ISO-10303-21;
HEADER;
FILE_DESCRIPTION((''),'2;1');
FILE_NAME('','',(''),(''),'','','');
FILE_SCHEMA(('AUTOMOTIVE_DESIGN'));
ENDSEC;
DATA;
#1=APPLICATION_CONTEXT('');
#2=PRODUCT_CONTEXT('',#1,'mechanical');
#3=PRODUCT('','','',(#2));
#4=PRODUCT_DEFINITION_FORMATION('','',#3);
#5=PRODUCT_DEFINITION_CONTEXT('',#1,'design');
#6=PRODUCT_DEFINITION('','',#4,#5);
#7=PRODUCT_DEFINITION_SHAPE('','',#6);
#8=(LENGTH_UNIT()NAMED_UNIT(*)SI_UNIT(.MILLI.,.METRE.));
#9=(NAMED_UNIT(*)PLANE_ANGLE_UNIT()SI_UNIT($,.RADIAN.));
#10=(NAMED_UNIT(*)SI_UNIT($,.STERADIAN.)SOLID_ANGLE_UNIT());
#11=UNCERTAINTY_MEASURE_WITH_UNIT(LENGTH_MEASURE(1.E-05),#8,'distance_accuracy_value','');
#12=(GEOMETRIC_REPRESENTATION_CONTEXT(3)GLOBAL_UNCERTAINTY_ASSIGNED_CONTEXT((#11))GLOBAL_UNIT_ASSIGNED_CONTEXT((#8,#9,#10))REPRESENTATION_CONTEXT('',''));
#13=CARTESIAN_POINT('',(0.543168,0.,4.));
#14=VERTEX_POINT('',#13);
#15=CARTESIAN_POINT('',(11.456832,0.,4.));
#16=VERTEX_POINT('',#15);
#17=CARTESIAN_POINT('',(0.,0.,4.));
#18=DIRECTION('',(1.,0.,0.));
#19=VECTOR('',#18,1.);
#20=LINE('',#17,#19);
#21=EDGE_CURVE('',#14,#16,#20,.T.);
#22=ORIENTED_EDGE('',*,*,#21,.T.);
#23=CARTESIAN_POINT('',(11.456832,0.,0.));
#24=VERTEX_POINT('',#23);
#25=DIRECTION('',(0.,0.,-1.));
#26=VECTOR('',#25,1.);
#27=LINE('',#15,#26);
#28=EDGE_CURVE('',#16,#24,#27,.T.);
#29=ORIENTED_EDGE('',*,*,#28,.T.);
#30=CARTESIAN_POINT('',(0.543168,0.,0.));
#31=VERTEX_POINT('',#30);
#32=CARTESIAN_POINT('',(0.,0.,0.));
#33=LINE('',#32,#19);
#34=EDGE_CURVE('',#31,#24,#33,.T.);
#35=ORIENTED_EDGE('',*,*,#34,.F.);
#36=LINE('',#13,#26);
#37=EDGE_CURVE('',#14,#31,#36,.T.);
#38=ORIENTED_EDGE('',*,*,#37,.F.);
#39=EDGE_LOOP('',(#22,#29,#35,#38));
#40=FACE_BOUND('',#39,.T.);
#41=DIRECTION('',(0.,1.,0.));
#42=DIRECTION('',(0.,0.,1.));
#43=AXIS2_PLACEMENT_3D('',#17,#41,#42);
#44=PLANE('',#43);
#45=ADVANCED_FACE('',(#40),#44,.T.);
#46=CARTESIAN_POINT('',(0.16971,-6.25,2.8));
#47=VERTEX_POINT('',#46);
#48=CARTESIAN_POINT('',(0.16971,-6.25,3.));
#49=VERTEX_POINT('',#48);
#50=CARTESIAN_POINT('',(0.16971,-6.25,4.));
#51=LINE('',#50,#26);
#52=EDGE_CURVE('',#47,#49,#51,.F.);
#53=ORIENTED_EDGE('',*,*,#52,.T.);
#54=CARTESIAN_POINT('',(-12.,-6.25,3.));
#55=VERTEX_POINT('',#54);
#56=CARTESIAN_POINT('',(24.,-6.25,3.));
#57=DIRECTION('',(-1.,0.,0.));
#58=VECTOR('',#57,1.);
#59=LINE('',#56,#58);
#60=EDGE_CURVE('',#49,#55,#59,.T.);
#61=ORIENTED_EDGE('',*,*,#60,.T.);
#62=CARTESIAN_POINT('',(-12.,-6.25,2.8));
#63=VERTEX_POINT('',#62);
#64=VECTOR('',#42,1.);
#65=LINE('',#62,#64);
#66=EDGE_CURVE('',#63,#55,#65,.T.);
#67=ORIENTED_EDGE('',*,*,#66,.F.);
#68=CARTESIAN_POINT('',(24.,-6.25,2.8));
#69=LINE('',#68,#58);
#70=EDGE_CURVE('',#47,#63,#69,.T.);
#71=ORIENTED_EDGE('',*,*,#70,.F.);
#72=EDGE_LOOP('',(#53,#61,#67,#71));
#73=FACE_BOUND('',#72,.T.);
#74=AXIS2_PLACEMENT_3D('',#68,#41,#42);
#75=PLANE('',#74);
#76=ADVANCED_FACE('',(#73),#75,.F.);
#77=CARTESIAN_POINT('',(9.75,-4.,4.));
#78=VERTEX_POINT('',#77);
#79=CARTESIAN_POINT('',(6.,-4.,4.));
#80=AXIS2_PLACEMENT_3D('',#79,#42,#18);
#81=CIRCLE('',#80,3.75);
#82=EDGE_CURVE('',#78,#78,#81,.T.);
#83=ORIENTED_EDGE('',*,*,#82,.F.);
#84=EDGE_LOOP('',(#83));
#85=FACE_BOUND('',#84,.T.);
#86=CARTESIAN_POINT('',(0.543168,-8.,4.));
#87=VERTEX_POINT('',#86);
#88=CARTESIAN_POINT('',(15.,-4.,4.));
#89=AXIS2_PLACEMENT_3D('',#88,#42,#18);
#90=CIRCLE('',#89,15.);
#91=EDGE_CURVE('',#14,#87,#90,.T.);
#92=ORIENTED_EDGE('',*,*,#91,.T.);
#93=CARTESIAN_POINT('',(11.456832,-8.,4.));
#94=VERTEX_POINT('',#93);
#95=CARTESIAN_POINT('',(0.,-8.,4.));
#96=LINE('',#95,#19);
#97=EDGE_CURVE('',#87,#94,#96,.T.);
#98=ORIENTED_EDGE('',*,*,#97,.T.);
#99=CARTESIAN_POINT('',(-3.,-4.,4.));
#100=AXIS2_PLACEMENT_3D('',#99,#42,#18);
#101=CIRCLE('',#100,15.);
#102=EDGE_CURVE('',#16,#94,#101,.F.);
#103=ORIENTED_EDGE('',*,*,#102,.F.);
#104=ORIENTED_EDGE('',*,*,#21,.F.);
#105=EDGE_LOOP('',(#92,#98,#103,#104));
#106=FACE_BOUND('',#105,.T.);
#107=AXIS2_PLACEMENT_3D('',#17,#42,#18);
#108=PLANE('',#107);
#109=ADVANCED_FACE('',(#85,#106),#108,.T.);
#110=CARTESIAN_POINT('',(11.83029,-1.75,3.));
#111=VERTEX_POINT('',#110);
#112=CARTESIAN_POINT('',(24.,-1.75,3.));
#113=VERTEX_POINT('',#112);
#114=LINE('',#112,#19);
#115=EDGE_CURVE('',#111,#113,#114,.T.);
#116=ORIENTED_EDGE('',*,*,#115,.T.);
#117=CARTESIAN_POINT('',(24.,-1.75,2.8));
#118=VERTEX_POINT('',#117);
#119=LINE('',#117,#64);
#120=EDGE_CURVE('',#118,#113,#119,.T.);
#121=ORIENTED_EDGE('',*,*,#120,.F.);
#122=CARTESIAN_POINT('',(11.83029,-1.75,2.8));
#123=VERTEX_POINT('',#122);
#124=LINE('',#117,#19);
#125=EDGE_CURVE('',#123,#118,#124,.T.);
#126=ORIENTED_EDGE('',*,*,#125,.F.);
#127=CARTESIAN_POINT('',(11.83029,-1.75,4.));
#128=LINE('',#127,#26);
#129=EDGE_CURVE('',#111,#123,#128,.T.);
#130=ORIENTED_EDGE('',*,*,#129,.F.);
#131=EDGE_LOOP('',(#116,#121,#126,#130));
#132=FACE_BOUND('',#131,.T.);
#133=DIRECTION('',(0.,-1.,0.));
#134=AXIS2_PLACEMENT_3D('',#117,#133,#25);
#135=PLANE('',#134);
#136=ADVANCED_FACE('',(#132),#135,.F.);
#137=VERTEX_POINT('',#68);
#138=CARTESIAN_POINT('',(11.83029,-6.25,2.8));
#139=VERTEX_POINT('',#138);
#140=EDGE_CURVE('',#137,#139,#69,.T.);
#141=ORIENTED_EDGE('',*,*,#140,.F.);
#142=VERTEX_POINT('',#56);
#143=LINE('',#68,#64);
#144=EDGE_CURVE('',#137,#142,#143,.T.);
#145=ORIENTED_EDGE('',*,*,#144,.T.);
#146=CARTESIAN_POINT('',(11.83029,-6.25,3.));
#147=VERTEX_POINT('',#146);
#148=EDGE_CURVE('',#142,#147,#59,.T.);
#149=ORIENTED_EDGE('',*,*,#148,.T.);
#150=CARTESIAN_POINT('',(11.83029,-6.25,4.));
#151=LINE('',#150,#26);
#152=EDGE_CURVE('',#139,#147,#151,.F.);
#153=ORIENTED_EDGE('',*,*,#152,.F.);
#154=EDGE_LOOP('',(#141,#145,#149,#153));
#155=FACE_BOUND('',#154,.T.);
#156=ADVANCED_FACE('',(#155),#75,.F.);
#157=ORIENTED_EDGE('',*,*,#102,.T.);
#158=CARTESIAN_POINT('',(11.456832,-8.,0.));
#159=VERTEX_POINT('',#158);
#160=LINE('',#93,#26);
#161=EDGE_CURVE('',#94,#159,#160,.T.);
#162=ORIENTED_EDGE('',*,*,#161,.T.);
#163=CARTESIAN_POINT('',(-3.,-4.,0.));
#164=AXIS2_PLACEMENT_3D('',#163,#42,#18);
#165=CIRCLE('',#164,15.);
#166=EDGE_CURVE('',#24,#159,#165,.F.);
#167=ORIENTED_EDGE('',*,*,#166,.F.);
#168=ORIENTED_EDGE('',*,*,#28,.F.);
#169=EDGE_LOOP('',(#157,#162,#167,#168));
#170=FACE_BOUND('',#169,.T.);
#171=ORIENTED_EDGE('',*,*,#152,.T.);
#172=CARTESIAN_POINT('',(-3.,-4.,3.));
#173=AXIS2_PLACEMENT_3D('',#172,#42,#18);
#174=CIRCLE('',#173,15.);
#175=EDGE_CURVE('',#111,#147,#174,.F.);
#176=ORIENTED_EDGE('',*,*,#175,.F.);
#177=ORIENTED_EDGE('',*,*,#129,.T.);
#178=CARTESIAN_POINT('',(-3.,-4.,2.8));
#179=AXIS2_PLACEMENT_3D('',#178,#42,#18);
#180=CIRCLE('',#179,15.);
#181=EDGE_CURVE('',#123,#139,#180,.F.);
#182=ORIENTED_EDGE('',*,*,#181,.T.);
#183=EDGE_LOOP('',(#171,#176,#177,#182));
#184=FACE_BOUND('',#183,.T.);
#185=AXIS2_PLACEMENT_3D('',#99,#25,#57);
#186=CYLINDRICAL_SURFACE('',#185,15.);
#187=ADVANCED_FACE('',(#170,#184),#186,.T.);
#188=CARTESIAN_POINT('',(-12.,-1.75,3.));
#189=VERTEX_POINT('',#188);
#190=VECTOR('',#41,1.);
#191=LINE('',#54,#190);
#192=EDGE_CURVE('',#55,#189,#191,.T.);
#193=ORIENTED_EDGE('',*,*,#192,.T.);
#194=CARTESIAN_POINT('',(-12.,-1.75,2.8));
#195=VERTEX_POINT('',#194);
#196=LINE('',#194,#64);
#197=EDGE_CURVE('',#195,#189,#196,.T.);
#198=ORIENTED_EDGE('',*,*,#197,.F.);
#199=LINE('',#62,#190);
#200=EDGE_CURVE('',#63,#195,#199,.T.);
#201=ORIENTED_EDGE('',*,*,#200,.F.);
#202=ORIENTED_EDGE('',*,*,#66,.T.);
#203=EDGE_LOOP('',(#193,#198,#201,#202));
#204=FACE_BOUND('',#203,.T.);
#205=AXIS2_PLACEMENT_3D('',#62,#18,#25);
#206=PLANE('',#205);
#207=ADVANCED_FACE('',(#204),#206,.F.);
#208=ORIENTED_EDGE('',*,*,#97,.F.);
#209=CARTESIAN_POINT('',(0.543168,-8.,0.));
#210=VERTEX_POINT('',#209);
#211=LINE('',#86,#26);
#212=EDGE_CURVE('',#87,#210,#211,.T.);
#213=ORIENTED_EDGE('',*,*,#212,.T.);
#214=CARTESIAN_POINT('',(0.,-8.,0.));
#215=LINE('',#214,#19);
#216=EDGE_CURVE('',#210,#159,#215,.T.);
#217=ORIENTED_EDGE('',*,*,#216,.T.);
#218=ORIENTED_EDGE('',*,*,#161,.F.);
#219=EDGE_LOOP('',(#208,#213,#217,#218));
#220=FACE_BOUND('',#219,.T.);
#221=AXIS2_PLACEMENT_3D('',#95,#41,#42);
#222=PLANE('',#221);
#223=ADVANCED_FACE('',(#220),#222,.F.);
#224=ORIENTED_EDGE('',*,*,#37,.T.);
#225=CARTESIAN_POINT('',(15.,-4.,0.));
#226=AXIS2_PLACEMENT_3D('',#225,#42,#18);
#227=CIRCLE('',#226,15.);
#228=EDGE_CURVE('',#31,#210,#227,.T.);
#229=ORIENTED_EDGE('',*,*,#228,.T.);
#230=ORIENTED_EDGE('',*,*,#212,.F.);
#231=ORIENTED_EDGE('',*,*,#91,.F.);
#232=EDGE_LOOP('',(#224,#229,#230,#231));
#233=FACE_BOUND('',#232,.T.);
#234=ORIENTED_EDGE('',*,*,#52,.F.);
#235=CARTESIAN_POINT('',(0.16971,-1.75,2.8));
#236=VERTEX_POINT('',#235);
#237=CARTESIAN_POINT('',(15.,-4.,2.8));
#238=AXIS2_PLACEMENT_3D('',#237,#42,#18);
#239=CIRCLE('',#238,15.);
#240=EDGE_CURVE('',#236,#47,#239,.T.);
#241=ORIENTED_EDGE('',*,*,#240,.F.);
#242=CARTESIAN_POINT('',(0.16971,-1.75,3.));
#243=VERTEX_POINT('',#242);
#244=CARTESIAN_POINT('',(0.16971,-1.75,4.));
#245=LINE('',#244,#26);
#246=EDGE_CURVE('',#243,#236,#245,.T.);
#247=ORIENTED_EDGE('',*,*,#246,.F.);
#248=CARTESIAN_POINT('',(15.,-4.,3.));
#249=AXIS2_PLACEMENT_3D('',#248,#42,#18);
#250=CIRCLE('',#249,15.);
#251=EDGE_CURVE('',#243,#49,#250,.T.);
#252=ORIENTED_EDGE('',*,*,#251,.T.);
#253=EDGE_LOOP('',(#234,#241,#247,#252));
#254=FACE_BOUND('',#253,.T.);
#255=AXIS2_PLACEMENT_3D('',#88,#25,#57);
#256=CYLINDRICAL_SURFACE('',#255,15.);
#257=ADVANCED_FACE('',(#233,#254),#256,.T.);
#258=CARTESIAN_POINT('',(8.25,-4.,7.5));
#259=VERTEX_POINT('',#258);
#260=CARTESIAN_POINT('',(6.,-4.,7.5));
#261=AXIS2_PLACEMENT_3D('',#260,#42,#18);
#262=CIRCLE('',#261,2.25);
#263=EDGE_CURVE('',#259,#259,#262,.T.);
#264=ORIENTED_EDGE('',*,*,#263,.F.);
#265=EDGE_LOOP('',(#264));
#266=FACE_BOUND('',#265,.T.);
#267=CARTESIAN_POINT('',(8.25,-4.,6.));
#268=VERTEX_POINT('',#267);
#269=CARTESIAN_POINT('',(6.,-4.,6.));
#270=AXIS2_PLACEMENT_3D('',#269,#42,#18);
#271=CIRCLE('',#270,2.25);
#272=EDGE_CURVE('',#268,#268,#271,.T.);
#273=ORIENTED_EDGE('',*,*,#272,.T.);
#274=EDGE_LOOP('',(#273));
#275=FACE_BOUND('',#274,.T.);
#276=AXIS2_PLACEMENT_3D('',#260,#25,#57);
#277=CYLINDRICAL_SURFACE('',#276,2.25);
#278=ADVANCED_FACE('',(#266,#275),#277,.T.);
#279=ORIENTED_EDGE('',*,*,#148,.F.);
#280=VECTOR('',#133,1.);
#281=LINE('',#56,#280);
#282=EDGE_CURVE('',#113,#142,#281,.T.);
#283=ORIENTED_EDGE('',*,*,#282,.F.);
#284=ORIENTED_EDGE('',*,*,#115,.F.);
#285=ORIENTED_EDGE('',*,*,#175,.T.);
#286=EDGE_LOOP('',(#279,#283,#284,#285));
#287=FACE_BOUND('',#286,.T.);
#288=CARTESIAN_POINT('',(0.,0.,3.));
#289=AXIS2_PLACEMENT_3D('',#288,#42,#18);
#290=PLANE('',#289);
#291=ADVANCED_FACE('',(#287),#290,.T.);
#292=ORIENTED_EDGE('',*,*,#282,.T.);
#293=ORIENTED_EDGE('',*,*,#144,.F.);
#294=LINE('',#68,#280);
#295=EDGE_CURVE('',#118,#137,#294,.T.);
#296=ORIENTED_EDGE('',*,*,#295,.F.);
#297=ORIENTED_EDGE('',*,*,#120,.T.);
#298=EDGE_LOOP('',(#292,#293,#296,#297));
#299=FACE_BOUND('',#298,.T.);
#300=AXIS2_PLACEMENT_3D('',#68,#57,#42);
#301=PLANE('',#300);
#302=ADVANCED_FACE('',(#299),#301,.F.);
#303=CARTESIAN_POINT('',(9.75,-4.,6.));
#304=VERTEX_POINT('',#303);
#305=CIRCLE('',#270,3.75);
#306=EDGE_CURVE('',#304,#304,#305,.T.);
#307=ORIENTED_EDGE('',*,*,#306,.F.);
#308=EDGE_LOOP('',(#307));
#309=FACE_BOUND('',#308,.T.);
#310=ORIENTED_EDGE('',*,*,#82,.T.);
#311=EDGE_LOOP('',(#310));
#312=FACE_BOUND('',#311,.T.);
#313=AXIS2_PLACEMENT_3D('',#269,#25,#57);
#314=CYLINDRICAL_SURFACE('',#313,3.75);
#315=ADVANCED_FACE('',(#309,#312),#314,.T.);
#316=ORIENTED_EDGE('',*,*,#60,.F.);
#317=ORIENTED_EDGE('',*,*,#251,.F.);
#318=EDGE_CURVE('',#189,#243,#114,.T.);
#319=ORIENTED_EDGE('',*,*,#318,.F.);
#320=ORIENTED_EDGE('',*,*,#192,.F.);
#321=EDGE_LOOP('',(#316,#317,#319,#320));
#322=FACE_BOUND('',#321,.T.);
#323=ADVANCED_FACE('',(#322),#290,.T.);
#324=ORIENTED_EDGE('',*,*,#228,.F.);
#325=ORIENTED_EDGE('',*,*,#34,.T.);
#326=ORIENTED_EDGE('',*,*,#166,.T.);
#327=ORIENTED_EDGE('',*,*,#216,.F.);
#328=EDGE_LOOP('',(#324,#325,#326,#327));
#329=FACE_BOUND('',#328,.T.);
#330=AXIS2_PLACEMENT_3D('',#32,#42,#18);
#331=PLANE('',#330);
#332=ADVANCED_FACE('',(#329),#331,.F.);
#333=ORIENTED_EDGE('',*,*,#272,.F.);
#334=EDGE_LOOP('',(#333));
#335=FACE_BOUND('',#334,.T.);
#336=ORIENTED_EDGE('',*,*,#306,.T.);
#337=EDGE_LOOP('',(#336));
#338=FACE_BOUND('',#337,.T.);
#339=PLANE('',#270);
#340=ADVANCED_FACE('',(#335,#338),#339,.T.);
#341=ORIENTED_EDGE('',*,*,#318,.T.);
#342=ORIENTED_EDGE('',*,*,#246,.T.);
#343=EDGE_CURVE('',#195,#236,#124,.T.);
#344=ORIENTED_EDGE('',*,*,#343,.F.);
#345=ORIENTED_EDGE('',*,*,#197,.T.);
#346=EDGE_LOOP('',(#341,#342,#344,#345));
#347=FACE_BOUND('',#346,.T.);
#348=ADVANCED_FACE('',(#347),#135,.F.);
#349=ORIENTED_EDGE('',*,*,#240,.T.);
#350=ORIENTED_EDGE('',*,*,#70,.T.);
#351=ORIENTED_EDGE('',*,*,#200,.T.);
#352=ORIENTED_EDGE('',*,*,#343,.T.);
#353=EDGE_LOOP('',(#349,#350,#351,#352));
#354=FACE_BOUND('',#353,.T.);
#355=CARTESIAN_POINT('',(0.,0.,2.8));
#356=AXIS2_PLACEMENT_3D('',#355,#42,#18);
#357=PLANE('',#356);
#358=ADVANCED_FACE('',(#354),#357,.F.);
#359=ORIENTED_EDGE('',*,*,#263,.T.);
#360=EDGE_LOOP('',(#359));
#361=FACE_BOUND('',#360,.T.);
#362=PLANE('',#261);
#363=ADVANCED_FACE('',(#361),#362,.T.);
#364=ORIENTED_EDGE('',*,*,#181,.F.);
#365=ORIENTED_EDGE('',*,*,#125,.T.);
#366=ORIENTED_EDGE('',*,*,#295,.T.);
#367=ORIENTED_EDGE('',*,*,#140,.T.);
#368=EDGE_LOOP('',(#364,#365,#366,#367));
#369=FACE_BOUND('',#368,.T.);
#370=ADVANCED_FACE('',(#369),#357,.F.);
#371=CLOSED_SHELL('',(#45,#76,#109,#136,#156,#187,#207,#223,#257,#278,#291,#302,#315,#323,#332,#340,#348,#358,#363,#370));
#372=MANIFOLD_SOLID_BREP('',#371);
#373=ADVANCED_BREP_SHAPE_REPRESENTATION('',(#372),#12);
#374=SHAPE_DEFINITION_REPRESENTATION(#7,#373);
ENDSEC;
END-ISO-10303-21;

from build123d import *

# Parameters (mm, degrees)
EXTRUDE_1_DEPTH = 4
SKETCH_2_R      = 3.75
EXTRUDE_2_DEPTH = 2
SKETCH_3_R      = 2.25
EXTRUDE_3_DEPTH = 1.5
SKETCH_4_W      = 36
SKETCH_4_H      = 4.5
EXTRUDE_4_DEPTH = 0.2


with BuildPart() as part:
    # Эскиз1 → Бобышка-Вытянуть1 (new body)
    with BuildSketch(Plane.XY):
        with BuildLine():
            Line((11.456832295, 0), (6, 0))
            Line((6, 0), (6, -8))
            Line((6, -8), (11.456832295, -8))
            ThreePointArc((11.456832295, -8), (11.863587803, -6.01835518), (12, -3.999999921))
            ThreePointArc((12, -3.999999921), (11.863587792, -1.981644742), (11.456832295, 0))
        make_face()
        with BuildLine():
            Line((6, -8), (6, 0))
            Line((6, 0), (0.543167705, 0))
            ThreePointArc((0.543167705, 0), (0.136412203, -1.981644781), (0, -4))
            ThreePointArc((0, -4), (0.136412203, -6.018355219), (0.543167705, -8))
            Line((0.543167705, -8), (6, -8))
        make_face()
    extrude(amount=EXTRUDE_1_DEPTH)

    # Эскиз2 → Бобышка-Вытянуть2 (add)
    with BuildSketch(Plane.XY.offset(4)):
        with Locations((6, -4)):
            Circle(SKETCH_2_R)
    extrude(amount=EXTRUDE_2_DEPTH)

    # Эскиз3 → Бобышка-Вытянуть3 (add)
    with BuildSketch(Plane.XY.offset(6)):
        with Locations((6, -4)):
            Circle(SKETCH_3_R)
    extrude(amount=EXTRUDE_3_DEPTH)

    # Эскиз4 → Бобышка-Вытянуть4 (add)
    with BuildSketch(Plane(origin=(0, 0, 3), x_dir=(-1, 0, 0), z_dir=(0, 0, -1))):
        with Locations((-6, -4)):
            Rectangle(SKETCH_4_W, SKETCH_4_H)
    extrude(amount=EXTRUDE_4_DEPTH)


solid = part.part
